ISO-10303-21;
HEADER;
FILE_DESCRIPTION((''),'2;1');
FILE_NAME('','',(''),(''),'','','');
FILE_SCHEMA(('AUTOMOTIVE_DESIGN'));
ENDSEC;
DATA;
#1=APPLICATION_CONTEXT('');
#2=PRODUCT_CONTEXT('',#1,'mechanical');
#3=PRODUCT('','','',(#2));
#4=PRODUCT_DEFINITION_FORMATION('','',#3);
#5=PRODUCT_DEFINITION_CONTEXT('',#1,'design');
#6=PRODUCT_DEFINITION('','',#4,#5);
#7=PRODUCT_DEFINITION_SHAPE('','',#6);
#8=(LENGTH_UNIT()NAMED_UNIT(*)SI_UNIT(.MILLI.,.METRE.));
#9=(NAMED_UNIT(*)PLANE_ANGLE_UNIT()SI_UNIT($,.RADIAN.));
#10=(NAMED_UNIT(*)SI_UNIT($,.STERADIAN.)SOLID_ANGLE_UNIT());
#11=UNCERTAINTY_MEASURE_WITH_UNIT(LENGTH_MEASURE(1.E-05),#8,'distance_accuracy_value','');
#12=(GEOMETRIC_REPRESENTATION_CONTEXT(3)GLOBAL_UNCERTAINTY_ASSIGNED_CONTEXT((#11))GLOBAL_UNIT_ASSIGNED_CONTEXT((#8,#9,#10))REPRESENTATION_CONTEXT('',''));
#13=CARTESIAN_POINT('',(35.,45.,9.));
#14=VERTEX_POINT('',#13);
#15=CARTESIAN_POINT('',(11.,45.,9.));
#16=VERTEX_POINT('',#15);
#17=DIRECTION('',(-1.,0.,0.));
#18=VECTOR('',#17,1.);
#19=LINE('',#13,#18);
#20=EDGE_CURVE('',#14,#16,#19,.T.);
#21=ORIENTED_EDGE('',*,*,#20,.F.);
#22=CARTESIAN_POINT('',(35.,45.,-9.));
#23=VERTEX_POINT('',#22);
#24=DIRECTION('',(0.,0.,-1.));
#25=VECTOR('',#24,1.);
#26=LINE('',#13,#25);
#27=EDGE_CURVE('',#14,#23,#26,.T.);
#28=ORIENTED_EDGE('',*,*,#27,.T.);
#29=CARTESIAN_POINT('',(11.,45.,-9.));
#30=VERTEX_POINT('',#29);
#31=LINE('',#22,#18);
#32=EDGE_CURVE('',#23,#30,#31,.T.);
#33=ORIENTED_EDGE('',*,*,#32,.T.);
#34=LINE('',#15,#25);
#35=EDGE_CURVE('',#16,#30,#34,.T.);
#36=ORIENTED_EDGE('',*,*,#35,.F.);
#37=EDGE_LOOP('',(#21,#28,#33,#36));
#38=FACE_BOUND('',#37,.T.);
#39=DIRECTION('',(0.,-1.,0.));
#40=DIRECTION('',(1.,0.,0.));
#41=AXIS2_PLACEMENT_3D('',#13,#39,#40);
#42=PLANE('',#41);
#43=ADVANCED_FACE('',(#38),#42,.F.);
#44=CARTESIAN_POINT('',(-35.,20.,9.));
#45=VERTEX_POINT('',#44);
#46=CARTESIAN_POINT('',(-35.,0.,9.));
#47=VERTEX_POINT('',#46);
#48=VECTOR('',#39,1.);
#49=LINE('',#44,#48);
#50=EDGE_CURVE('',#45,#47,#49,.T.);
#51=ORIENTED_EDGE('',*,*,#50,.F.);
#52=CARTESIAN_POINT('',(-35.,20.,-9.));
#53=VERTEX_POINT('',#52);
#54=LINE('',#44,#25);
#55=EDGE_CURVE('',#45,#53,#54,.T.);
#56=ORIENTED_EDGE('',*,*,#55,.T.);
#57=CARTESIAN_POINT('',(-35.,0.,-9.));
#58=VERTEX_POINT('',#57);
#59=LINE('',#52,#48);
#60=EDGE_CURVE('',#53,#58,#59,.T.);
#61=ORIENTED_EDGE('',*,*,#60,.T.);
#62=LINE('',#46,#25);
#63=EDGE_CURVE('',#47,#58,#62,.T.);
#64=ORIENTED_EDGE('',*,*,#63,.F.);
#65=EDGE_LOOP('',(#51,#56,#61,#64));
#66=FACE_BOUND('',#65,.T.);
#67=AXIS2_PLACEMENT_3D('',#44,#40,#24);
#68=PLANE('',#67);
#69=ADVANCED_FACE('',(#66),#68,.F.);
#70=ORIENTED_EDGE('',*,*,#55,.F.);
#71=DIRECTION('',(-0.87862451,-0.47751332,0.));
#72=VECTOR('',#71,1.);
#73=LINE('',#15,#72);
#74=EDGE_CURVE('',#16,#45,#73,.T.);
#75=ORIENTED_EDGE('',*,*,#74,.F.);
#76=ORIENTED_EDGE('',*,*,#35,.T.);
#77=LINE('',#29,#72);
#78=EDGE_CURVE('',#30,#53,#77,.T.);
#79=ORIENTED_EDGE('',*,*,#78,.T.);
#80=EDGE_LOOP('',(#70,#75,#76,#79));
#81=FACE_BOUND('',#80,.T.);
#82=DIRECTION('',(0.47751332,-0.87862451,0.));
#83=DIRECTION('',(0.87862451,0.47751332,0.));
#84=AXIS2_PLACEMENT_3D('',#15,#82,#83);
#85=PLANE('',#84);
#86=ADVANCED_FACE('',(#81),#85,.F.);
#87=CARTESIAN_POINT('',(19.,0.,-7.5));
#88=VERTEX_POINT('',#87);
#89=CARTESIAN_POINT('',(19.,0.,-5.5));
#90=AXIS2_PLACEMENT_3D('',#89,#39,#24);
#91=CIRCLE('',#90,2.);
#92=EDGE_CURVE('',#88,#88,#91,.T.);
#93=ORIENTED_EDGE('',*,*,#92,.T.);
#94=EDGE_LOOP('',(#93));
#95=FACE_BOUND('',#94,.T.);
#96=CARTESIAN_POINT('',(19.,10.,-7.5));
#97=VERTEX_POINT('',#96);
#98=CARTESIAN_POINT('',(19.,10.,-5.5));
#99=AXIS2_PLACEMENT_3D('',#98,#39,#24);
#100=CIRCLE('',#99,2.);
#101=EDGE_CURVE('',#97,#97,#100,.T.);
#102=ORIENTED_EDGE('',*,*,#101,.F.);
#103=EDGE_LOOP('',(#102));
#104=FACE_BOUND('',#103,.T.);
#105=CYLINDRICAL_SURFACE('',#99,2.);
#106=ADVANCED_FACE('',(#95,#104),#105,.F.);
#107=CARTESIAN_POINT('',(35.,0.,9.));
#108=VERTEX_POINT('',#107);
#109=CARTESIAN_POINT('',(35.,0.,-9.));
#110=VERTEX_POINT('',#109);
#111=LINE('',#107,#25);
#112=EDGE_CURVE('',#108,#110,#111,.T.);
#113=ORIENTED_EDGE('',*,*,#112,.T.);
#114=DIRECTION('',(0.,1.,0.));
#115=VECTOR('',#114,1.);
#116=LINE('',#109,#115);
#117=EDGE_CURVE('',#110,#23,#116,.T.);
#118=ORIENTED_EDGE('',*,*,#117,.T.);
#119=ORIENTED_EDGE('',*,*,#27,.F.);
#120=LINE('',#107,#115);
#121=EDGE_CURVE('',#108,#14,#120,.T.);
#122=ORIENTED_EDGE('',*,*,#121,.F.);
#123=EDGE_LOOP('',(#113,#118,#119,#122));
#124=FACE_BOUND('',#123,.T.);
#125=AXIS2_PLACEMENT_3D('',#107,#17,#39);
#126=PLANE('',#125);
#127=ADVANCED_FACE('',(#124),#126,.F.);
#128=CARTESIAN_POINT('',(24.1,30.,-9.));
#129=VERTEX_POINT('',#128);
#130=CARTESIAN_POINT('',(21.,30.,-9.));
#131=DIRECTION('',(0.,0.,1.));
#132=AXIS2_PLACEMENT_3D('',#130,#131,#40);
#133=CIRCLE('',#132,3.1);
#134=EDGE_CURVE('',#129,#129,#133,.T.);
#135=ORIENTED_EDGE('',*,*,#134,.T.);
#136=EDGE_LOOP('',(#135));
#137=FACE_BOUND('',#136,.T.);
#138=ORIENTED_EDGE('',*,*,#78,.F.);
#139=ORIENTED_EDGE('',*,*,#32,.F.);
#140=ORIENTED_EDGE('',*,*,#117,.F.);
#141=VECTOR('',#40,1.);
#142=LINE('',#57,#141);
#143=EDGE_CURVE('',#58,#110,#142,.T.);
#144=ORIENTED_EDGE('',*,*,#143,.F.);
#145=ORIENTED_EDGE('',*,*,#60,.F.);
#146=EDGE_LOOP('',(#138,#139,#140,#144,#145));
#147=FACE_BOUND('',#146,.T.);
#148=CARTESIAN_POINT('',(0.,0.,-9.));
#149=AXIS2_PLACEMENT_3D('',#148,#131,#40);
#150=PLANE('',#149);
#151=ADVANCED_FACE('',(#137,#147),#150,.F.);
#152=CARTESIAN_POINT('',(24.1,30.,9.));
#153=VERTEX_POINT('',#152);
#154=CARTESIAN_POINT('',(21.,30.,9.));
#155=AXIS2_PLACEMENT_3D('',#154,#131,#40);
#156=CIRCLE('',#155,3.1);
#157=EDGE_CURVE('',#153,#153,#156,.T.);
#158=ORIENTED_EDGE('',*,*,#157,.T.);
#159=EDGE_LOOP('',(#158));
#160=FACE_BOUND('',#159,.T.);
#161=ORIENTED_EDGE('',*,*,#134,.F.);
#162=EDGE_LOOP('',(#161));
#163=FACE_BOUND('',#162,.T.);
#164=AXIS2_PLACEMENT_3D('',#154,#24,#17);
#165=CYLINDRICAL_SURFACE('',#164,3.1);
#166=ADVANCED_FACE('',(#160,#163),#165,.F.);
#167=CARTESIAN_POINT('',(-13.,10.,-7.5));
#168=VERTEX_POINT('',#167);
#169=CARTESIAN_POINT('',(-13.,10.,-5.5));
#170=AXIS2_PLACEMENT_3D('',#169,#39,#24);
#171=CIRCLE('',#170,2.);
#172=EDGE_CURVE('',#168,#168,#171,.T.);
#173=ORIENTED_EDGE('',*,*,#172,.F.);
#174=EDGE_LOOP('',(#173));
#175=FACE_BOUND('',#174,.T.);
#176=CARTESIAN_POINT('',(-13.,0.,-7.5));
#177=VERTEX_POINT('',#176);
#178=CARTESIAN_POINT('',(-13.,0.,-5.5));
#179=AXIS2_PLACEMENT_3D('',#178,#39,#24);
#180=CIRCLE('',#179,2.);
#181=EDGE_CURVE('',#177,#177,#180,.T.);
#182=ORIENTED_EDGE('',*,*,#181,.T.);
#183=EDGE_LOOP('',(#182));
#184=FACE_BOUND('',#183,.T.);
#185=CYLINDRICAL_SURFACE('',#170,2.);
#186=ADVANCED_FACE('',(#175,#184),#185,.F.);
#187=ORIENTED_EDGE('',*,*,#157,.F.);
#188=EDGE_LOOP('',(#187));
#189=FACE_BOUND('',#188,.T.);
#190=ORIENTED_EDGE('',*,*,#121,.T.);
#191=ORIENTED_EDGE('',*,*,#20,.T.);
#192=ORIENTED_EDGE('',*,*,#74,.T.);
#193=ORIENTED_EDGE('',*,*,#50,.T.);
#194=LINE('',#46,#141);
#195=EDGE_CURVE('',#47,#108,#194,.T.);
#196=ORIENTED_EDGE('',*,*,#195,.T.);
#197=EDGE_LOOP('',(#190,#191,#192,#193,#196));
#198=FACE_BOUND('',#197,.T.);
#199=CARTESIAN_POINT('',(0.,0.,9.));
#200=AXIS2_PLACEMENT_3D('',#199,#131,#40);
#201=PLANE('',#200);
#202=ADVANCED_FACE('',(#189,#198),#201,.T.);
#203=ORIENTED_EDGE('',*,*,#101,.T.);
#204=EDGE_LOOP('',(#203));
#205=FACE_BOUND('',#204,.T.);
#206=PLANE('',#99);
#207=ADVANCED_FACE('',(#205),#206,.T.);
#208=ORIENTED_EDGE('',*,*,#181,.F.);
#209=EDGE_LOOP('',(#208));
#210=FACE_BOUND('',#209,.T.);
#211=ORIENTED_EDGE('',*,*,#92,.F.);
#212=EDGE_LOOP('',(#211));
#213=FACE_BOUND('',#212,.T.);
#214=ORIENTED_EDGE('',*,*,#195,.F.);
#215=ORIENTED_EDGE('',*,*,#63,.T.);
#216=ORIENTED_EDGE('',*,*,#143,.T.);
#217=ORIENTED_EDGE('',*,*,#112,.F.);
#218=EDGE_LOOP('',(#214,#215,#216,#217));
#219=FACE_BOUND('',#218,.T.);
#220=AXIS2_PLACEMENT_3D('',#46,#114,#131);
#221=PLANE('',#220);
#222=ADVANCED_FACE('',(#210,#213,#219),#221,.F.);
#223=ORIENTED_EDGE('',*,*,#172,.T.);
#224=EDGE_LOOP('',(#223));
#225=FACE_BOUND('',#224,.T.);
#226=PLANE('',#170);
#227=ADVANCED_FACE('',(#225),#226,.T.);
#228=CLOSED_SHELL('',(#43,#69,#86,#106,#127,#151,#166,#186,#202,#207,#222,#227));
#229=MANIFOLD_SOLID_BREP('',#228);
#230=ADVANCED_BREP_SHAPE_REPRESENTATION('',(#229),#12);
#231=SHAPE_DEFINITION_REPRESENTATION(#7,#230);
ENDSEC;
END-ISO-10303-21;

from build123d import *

# Parameters (mm, degrees)
SKETCH1_R           = 3.1
BOSS_EXTRUDE1_DEPTH = 9
SKETCH3_R           = 2
CUT_EXTRUDE1_DEPTH  = 10


with BuildPart() as part:
    # Sketch1 → Boss-Extrude1 (new, symmetric)
    with BuildSketch(Plane.XY):
        Polygon((-35, 0), (35, 0), (35, 45), (11, 45), (-35, 20), align=None)
        with Locations((21, 30)):
            Circle(SKETCH1_R, mode=Mode.SUBTRACT)
    extrude(amount=BOSS_EXTRUDE1_DEPTH, both=True)

    # Sketch3 → Cut-Extrude1 (cut)
    with BuildSketch(Plane.XZ):
        with Locations(Location((19, -5.5, 0), (0, 0, 270))):
            Circle(SKETCH3_R)
        with Locations(Location((-13, -5.5, 0), (0, 0, 270))):
            Circle(SKETCH3_R)
    extrude(amount=-CUT_EXTRUDE1_DEPTH, mode=Mode.SUBTRACT)


solid = part.part
